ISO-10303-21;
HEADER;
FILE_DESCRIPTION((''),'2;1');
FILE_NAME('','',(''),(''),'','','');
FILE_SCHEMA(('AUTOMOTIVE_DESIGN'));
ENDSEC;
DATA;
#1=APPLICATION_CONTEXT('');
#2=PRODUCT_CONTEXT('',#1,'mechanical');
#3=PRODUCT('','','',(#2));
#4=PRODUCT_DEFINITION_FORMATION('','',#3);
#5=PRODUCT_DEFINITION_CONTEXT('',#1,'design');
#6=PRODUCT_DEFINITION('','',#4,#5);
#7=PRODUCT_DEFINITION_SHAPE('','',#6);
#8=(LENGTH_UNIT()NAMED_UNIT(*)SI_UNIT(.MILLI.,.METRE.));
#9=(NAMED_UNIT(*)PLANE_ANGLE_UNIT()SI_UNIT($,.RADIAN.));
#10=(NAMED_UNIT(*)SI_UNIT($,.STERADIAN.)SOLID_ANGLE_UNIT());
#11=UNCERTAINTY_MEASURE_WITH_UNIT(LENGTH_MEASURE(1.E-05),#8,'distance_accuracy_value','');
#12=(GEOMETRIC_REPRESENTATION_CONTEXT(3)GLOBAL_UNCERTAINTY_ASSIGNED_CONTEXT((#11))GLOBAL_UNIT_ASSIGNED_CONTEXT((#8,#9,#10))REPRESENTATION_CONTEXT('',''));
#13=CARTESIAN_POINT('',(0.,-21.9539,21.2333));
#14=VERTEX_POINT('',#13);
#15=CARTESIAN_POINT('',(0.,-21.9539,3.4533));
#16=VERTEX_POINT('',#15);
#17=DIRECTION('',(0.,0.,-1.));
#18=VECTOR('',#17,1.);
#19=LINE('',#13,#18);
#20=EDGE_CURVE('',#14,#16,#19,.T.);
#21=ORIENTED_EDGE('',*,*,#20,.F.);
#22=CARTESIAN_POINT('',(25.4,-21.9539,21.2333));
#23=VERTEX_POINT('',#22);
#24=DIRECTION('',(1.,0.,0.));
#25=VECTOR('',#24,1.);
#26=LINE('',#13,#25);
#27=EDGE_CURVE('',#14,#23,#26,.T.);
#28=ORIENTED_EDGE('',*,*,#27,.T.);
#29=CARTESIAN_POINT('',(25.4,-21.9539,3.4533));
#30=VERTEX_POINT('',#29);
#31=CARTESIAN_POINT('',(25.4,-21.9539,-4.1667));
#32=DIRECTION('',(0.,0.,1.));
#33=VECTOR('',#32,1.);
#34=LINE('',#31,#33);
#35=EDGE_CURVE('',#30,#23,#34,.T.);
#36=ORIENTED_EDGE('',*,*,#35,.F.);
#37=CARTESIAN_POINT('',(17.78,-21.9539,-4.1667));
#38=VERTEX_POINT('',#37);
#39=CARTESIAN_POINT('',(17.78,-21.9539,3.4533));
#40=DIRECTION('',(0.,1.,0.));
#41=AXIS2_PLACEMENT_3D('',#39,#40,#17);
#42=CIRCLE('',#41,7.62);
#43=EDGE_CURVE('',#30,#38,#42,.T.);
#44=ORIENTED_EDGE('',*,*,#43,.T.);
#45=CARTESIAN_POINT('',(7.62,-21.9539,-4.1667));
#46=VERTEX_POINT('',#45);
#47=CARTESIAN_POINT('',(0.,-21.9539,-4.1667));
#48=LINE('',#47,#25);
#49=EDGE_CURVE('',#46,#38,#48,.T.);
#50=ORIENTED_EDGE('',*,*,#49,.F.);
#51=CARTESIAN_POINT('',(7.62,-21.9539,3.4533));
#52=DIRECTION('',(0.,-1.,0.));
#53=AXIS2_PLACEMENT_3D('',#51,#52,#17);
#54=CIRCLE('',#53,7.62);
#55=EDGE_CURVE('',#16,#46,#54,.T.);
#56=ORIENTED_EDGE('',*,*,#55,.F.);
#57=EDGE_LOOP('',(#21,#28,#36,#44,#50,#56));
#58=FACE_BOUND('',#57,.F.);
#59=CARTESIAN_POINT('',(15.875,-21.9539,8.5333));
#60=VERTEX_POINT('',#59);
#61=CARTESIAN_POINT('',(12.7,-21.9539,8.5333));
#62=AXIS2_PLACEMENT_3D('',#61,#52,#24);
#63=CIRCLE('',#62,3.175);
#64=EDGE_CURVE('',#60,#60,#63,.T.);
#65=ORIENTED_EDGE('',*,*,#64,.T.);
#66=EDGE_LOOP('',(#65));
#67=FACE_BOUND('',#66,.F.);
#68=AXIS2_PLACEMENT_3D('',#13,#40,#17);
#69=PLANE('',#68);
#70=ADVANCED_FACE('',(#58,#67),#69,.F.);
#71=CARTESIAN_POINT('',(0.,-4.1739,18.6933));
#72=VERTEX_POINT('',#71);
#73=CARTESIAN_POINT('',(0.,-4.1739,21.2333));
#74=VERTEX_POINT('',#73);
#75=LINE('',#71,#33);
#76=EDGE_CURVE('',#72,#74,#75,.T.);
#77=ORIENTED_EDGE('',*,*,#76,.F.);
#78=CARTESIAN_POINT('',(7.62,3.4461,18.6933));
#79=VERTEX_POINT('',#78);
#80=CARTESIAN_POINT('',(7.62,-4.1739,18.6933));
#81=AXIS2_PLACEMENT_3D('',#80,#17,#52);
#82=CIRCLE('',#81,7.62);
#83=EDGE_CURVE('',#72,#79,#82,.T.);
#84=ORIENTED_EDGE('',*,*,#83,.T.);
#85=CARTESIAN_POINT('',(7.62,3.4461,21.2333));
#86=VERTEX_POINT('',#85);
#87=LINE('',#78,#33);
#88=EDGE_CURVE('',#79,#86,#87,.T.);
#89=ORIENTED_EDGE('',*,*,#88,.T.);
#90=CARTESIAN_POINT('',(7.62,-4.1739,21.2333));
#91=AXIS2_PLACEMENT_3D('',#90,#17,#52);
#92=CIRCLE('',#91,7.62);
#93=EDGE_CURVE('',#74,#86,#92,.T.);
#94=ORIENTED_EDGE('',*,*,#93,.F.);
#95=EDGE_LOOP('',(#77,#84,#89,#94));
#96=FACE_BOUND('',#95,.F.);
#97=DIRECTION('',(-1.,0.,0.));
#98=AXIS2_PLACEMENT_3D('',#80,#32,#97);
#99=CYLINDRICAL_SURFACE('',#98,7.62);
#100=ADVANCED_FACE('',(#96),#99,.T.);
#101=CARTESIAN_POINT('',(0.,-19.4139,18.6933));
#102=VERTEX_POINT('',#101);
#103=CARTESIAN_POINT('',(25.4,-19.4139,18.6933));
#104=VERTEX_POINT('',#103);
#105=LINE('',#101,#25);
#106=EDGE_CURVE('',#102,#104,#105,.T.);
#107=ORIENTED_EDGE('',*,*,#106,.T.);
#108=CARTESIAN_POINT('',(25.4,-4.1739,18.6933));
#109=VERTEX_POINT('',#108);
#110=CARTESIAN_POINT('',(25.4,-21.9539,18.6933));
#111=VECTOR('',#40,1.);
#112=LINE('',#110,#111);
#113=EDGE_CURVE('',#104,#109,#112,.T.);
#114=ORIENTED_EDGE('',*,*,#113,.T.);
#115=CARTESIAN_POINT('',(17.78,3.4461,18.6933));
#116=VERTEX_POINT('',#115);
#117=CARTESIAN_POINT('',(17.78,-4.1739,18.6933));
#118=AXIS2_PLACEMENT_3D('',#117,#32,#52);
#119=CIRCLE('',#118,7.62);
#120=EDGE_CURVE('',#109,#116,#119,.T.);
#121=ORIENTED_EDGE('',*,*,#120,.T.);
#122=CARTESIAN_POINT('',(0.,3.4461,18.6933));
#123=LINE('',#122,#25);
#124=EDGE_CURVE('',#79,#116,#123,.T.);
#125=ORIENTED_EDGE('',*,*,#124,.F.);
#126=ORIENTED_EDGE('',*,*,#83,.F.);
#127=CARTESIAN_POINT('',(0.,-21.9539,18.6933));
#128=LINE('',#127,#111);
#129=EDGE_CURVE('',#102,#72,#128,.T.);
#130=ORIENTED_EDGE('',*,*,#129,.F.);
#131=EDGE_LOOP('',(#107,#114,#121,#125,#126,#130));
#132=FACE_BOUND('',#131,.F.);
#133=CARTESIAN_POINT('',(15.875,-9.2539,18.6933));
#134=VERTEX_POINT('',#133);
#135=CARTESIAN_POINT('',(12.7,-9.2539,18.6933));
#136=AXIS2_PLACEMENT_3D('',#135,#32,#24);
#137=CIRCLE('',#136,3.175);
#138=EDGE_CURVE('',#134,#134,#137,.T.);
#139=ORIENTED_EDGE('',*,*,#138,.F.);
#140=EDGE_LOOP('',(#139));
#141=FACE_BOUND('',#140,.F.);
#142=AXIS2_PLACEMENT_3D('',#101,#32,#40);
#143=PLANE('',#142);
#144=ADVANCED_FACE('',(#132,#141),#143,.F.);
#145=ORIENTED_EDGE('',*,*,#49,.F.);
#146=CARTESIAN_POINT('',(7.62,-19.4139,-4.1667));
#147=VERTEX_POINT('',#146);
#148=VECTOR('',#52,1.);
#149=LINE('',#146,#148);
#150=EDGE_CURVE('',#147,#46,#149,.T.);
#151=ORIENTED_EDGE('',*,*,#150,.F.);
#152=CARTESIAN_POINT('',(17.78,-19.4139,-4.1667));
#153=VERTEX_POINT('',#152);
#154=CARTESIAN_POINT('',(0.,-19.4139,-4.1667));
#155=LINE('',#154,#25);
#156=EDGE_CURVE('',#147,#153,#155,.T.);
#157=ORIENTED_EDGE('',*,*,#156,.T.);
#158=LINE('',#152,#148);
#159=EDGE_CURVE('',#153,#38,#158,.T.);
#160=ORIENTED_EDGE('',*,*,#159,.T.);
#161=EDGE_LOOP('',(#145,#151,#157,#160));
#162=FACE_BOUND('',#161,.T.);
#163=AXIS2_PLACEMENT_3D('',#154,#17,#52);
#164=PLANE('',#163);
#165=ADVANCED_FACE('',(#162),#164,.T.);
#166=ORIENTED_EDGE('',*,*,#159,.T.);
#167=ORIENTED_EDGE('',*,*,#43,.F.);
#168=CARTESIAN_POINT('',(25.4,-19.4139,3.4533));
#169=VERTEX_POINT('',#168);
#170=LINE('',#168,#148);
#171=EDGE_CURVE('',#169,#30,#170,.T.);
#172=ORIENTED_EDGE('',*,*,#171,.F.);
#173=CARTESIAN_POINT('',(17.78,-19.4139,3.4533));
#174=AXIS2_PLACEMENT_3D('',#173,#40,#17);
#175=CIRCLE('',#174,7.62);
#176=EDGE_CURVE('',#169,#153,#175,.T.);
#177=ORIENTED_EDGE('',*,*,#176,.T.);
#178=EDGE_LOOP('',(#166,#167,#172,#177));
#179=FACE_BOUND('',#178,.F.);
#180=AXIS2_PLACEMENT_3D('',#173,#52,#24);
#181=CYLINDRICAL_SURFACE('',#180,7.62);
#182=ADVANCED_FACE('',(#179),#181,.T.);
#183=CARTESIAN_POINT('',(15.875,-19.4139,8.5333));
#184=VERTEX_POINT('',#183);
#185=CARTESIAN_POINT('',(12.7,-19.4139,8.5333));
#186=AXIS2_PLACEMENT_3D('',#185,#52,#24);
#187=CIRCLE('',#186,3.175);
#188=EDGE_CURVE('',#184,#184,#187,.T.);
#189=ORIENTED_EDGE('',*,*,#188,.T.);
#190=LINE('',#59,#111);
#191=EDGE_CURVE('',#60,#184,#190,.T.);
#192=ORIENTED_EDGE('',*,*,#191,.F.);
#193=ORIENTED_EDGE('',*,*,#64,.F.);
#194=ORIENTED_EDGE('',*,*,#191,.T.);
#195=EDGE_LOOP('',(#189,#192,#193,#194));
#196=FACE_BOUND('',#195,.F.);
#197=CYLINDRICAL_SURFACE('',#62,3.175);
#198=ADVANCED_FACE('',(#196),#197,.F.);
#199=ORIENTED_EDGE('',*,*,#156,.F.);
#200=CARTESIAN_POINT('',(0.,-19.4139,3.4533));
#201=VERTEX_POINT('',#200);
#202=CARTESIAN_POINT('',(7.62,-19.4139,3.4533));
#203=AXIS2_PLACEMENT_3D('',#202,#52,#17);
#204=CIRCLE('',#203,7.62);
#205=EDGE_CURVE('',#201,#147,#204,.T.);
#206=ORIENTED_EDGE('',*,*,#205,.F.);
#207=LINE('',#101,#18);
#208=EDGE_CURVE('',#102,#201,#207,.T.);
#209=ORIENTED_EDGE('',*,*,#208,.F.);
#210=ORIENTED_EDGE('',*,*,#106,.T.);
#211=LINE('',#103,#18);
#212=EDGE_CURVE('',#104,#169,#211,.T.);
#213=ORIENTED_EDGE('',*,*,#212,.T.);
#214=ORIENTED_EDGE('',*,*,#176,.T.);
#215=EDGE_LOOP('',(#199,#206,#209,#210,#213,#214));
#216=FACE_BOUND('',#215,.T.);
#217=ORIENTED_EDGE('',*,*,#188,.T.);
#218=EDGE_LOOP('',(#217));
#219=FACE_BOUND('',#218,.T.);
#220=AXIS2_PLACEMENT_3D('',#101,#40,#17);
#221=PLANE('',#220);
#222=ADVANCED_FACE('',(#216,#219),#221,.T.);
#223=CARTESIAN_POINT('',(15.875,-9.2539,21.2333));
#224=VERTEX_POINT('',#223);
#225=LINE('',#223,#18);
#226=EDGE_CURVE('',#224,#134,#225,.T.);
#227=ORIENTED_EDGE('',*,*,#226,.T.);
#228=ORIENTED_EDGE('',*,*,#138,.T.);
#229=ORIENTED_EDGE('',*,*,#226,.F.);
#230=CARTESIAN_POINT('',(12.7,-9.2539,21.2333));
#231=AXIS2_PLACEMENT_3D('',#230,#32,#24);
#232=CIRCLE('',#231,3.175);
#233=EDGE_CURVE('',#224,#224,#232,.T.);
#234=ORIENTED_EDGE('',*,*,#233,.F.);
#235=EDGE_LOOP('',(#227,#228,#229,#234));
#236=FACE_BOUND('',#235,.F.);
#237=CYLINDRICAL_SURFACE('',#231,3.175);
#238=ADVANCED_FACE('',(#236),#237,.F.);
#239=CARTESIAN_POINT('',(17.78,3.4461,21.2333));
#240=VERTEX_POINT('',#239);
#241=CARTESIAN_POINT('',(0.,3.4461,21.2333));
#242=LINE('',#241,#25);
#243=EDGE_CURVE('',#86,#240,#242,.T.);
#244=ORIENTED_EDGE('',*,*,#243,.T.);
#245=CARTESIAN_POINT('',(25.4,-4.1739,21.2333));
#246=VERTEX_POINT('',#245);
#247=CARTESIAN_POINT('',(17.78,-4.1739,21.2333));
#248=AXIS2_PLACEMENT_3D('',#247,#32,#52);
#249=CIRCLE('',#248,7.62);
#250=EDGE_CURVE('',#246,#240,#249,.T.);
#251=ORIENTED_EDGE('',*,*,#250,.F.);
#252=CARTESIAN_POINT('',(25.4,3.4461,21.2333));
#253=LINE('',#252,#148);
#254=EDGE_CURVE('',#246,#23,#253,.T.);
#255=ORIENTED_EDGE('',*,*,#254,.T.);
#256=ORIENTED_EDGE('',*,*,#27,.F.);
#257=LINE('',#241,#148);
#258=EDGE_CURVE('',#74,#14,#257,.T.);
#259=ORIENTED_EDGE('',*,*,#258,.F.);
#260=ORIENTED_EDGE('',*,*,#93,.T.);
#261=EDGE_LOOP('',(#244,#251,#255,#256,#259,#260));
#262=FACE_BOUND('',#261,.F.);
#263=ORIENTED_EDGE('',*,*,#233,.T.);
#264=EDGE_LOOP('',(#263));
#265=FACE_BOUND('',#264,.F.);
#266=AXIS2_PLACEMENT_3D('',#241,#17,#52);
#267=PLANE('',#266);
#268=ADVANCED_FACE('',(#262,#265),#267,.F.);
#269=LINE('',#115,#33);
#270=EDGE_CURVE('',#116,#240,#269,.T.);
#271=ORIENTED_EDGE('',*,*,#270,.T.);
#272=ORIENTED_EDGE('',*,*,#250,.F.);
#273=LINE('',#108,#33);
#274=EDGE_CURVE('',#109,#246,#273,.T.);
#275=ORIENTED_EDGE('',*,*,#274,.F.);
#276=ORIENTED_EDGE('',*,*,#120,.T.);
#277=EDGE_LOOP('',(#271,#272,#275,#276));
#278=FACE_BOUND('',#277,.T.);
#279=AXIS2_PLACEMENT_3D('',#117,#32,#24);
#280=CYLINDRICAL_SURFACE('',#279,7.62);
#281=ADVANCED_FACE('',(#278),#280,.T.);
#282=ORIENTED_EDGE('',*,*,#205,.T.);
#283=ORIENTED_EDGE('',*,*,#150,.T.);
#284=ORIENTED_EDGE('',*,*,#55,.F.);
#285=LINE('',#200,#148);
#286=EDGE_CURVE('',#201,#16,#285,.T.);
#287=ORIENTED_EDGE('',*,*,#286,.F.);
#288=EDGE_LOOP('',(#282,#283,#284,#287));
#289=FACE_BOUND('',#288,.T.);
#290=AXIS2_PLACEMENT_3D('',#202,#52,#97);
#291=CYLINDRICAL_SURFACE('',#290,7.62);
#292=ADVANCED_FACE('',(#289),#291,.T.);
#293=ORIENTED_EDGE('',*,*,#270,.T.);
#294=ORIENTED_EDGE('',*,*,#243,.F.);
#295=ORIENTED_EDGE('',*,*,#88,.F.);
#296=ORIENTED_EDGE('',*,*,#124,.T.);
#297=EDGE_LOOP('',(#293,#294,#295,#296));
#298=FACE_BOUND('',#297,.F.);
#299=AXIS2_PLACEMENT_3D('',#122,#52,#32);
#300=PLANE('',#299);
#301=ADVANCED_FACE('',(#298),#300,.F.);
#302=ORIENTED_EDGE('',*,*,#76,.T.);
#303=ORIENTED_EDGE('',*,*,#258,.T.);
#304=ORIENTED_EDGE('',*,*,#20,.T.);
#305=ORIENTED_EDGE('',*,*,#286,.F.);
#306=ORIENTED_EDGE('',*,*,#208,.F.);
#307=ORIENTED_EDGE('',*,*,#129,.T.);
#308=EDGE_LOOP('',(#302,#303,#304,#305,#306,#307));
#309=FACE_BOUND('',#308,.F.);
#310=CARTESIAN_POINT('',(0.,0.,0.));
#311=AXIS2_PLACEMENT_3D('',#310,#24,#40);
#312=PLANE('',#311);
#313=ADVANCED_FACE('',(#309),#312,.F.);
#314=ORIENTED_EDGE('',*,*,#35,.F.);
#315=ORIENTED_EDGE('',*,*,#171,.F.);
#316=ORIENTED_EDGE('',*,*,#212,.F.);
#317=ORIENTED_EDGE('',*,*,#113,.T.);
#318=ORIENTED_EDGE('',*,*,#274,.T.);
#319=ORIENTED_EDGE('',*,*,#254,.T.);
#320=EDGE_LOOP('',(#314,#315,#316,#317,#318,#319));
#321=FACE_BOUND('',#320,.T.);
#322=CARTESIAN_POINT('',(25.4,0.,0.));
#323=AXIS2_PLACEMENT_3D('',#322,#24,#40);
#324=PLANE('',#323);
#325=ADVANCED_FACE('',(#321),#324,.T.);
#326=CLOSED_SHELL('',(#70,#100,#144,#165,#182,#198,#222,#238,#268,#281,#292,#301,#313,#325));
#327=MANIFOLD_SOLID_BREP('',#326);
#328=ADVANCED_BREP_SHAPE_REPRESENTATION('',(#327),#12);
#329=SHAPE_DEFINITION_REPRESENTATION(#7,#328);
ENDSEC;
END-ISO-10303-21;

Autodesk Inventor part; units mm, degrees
ref_plane "YZ Plane" through (0, 0, 0) normal (1, 0, 0) x (0, 1, 0)
ref_plane "XZ Plane" through (0, 0, 0) normal (0, 1, 0) x (-1, 0, 0)
ref_plane "XY Plane" through (0, 0, 0) normal (0, 0, 1) x (1, 0, 0)
sketch "Sketch1" plane through (0, 0, 0) normal (1, 0, 0) x (0, 1, 0)
  line L0 (-21.9539, 18.6933) -> (3.4461, 18.6933)
  line L1 (3.4461, 18.6933) -> (3.4461, 21.2333)
  line L2 (3.4461, 21.2333) -> (-21.9539, 21.2333)
  line L3 (-21.9539, 21.2333) -> (-21.9539, 18.6933)
  line L4 (-21.9539, 18.6933) -> (-19.4139, 18.6933)
  line L5 (-19.4139, 18.6933) -> (-19.4139, -4.1667)
  line L6 (-19.4139, -4.1667) -> (-21.9539, -4.1667)
  line L7 (-21.9539, -4.1667) -> (-21.9539, 18.6933)
  point P0 (0, 0)
  dimension "d0" = 2.54
  dimension "d1" = 2.54
  dimension "d2" = 25.4
  dimension "d3" = 25.4
extrude "Extrusion1" add sketch "Sketch1" along normal blind 25.4
sketch "Sketch2" plane through (0, -21.9539, 21.2333) normal (0, 0, 1) x (1, 0, 0)
  circle A0 centre (12.7, 12.7) radius 3.175
  line L0 (0, 25.4) -> (25.4, 25.4) projected
  line L1 (25.4, 25.4) -> (25.4, 0) projected
  point P0 (0, 21.9539)
  dimension "d6" = 6.35
  dimension "d7" = 12.7
  dimension "d8" = 12.7
extrude "Extrusion2" cut sketch "Sketch2" against normal blind 25.4
sketch "Sketch3" plane through (0, -21.9539, -4.1667) normal (0, -1, 0) x (1, 0, 0)
  circle A0 centre (12.7, 12.7) radius 3.175
  line L0 (0, 25.4) -> (25.4, 25.4) projected
  line L1 (25.4, 25.4) -> (25.4, 0) projected
  point P0 (0, 4.1667)
  dimension "d11" = 12.7
  dimension "d12" = 12.7
  dimension "d13" = 6.35
extrude "Extrusion3" cut sketch "Sketch3" against normal blind 25.4
fillet "Fillet1" radius 7.62 4 edges at (25.4, 3.4461, 19.9633) (0, 3.4461, 19.9633) (25.4, -20.6839, -4.1667) (0, -20.6839, -4.1667)
properties part number "80-20 bracket 1in"
